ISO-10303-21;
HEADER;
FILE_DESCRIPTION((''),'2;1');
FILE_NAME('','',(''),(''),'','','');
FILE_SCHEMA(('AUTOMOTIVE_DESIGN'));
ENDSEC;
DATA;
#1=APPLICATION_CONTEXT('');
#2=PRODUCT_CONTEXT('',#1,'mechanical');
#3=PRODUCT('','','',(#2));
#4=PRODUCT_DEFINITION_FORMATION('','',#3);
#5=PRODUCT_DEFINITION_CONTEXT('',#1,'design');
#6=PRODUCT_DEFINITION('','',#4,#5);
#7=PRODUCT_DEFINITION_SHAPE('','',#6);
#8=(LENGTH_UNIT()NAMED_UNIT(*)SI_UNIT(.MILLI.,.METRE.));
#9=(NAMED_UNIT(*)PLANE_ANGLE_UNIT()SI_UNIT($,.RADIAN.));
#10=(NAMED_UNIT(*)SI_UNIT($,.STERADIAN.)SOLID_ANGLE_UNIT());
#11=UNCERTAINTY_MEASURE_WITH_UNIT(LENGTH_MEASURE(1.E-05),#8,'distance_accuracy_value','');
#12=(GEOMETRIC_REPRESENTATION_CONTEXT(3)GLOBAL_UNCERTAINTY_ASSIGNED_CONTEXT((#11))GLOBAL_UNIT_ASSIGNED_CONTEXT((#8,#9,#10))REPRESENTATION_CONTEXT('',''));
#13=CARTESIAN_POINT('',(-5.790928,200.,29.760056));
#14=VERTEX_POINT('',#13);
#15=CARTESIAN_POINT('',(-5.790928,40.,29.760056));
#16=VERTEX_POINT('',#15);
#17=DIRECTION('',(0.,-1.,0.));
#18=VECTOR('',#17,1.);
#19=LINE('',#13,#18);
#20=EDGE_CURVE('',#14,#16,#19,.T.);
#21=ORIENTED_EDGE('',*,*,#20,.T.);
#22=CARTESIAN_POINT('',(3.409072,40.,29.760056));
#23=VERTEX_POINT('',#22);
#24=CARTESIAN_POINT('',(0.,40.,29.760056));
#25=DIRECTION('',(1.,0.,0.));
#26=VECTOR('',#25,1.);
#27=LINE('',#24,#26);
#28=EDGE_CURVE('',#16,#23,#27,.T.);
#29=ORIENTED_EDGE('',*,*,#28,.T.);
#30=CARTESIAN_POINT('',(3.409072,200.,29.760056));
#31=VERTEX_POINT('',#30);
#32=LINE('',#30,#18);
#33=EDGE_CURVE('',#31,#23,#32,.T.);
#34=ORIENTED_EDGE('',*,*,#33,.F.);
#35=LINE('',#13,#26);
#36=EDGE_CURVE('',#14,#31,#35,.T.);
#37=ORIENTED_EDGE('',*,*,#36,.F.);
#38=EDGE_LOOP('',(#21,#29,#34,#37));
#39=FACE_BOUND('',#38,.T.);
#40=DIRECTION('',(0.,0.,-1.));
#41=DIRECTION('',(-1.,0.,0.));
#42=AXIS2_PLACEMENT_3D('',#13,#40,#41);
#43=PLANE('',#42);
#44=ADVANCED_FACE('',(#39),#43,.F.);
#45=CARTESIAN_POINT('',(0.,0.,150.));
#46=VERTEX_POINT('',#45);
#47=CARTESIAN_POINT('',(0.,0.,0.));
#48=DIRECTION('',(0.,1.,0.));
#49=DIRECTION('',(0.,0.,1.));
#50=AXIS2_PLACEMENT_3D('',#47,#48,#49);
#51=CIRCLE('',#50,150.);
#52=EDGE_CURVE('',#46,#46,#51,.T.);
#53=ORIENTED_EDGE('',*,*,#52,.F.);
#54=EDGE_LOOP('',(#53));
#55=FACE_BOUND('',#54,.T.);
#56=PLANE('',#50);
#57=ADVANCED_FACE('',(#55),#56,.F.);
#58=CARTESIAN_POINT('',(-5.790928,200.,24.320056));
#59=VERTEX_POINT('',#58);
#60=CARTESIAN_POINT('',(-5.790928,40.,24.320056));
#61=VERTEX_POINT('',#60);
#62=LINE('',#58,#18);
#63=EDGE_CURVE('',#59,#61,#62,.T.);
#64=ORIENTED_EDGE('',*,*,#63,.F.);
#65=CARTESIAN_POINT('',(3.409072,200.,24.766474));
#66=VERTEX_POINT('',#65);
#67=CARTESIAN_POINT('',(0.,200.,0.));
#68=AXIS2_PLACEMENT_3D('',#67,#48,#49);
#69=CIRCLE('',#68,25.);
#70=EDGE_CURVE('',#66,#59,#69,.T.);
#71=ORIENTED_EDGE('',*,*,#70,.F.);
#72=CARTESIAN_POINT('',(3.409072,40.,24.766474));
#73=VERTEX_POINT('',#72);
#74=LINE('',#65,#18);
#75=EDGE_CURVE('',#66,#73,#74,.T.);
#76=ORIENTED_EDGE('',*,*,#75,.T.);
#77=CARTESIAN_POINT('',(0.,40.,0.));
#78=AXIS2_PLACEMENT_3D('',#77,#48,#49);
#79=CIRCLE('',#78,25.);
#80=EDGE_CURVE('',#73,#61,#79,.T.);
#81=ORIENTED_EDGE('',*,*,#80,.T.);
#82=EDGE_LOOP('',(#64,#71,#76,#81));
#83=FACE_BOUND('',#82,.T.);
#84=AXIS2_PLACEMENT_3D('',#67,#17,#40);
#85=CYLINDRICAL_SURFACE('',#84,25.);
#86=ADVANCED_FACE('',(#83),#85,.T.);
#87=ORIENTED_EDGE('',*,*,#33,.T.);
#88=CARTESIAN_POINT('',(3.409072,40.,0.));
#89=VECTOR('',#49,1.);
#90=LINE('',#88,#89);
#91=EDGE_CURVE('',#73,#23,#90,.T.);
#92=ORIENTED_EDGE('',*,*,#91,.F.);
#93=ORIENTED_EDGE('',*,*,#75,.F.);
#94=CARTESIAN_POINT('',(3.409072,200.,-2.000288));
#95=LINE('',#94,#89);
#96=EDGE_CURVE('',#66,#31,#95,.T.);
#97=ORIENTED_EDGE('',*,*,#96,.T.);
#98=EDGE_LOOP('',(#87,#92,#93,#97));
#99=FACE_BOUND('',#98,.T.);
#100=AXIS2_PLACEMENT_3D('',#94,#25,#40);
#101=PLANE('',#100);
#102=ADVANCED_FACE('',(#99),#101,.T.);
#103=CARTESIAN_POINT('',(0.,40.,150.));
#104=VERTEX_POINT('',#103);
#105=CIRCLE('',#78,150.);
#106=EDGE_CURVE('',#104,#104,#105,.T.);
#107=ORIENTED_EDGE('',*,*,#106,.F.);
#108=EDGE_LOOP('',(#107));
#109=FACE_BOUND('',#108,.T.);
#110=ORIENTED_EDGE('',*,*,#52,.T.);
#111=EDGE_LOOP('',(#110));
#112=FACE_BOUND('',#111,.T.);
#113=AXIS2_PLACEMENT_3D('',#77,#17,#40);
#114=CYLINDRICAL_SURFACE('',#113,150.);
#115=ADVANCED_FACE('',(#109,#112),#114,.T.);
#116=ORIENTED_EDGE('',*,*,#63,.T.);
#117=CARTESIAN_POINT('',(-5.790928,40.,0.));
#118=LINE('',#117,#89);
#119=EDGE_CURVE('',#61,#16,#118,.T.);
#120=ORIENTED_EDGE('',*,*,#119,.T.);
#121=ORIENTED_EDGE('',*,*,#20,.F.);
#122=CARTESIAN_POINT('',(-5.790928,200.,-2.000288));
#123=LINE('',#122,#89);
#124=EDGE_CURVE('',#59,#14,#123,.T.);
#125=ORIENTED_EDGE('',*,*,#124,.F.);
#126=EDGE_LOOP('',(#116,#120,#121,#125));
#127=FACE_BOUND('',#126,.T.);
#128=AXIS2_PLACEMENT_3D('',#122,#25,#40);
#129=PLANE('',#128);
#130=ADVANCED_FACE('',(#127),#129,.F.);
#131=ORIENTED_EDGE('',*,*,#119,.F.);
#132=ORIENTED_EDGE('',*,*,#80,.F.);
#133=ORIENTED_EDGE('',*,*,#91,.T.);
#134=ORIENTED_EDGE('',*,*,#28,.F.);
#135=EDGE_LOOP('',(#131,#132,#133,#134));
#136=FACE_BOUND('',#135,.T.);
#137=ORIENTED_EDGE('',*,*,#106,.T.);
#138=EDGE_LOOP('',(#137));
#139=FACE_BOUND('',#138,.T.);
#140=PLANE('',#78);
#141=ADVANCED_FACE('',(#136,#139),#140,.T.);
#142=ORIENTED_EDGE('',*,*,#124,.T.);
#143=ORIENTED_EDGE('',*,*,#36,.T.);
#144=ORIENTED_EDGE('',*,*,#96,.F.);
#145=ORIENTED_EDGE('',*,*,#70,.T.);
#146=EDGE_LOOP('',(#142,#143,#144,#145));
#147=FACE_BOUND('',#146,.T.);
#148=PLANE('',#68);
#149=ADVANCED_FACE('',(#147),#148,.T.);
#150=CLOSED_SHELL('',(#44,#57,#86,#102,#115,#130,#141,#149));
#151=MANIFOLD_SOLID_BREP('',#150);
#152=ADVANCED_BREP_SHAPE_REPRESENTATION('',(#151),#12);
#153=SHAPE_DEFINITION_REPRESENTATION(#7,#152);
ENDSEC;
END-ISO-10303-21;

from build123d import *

# Parameters (mm, degrees)
SKETCH1_R           = 150
BOSS_EXTRUDE1_DEPTH = 40
BOSS_EXTRUDE2_DEPTH = 200


with BuildPart() as part:
    # Sketch1 → Boss-Extrude1 (new body)
    with BuildSketch(Plane(origin=(0, 0, 0), x_dir=(1, 0, 0), z_dir=(0, 1, 0))):
        Circle(SKETCH1_R)
        with BuildLine():
            Line((-5.790928426, -29.760056496), (-5.790928426, -24.320056496))
            ThreePointArc((-5.790928426, -24.320056496), (-15.49559275, 19.618527094), (25, 0))
            ThreePointArc((25, 0), (18.844452623, -16.428225873), (3.409071574, -24.766473932))
            Line((3.409071574, -24.766473932), (3.409071574, -29.760056496))
            Line((3.409071574, -29.760056496), (-5.790928426, -29.760056496))
        make_face(mode=Mode.SUBTRACT)
    extrude(amount=BOSS_EXTRUDE1_DEPTH)

    # Sketch1<3> → Boss-Extrude2 (add)
    with BuildSketch(Plane(origin=(0, 0, 0), x_dir=(1, 0, 0), z_dir=(0, 1, 0))):
        with BuildLine():
            Line((-5.790928426, -24.320056496), (-5.790928426, -29.760056496))
            Line((-5.790928426, -29.760056496), (3.409071574, -29.760056496))
            Line((3.409071574, -29.760056496), (3.409071574, -24.766473932))
            ThreePointArc((3.409071574, -24.766473932), (1.211665237, 24.970620083), (-5.790928426, -24.320056496))
        make_face()
    extrude(amount=BOSS_EXTRUDE2_DEPTH)


solid = part.part
